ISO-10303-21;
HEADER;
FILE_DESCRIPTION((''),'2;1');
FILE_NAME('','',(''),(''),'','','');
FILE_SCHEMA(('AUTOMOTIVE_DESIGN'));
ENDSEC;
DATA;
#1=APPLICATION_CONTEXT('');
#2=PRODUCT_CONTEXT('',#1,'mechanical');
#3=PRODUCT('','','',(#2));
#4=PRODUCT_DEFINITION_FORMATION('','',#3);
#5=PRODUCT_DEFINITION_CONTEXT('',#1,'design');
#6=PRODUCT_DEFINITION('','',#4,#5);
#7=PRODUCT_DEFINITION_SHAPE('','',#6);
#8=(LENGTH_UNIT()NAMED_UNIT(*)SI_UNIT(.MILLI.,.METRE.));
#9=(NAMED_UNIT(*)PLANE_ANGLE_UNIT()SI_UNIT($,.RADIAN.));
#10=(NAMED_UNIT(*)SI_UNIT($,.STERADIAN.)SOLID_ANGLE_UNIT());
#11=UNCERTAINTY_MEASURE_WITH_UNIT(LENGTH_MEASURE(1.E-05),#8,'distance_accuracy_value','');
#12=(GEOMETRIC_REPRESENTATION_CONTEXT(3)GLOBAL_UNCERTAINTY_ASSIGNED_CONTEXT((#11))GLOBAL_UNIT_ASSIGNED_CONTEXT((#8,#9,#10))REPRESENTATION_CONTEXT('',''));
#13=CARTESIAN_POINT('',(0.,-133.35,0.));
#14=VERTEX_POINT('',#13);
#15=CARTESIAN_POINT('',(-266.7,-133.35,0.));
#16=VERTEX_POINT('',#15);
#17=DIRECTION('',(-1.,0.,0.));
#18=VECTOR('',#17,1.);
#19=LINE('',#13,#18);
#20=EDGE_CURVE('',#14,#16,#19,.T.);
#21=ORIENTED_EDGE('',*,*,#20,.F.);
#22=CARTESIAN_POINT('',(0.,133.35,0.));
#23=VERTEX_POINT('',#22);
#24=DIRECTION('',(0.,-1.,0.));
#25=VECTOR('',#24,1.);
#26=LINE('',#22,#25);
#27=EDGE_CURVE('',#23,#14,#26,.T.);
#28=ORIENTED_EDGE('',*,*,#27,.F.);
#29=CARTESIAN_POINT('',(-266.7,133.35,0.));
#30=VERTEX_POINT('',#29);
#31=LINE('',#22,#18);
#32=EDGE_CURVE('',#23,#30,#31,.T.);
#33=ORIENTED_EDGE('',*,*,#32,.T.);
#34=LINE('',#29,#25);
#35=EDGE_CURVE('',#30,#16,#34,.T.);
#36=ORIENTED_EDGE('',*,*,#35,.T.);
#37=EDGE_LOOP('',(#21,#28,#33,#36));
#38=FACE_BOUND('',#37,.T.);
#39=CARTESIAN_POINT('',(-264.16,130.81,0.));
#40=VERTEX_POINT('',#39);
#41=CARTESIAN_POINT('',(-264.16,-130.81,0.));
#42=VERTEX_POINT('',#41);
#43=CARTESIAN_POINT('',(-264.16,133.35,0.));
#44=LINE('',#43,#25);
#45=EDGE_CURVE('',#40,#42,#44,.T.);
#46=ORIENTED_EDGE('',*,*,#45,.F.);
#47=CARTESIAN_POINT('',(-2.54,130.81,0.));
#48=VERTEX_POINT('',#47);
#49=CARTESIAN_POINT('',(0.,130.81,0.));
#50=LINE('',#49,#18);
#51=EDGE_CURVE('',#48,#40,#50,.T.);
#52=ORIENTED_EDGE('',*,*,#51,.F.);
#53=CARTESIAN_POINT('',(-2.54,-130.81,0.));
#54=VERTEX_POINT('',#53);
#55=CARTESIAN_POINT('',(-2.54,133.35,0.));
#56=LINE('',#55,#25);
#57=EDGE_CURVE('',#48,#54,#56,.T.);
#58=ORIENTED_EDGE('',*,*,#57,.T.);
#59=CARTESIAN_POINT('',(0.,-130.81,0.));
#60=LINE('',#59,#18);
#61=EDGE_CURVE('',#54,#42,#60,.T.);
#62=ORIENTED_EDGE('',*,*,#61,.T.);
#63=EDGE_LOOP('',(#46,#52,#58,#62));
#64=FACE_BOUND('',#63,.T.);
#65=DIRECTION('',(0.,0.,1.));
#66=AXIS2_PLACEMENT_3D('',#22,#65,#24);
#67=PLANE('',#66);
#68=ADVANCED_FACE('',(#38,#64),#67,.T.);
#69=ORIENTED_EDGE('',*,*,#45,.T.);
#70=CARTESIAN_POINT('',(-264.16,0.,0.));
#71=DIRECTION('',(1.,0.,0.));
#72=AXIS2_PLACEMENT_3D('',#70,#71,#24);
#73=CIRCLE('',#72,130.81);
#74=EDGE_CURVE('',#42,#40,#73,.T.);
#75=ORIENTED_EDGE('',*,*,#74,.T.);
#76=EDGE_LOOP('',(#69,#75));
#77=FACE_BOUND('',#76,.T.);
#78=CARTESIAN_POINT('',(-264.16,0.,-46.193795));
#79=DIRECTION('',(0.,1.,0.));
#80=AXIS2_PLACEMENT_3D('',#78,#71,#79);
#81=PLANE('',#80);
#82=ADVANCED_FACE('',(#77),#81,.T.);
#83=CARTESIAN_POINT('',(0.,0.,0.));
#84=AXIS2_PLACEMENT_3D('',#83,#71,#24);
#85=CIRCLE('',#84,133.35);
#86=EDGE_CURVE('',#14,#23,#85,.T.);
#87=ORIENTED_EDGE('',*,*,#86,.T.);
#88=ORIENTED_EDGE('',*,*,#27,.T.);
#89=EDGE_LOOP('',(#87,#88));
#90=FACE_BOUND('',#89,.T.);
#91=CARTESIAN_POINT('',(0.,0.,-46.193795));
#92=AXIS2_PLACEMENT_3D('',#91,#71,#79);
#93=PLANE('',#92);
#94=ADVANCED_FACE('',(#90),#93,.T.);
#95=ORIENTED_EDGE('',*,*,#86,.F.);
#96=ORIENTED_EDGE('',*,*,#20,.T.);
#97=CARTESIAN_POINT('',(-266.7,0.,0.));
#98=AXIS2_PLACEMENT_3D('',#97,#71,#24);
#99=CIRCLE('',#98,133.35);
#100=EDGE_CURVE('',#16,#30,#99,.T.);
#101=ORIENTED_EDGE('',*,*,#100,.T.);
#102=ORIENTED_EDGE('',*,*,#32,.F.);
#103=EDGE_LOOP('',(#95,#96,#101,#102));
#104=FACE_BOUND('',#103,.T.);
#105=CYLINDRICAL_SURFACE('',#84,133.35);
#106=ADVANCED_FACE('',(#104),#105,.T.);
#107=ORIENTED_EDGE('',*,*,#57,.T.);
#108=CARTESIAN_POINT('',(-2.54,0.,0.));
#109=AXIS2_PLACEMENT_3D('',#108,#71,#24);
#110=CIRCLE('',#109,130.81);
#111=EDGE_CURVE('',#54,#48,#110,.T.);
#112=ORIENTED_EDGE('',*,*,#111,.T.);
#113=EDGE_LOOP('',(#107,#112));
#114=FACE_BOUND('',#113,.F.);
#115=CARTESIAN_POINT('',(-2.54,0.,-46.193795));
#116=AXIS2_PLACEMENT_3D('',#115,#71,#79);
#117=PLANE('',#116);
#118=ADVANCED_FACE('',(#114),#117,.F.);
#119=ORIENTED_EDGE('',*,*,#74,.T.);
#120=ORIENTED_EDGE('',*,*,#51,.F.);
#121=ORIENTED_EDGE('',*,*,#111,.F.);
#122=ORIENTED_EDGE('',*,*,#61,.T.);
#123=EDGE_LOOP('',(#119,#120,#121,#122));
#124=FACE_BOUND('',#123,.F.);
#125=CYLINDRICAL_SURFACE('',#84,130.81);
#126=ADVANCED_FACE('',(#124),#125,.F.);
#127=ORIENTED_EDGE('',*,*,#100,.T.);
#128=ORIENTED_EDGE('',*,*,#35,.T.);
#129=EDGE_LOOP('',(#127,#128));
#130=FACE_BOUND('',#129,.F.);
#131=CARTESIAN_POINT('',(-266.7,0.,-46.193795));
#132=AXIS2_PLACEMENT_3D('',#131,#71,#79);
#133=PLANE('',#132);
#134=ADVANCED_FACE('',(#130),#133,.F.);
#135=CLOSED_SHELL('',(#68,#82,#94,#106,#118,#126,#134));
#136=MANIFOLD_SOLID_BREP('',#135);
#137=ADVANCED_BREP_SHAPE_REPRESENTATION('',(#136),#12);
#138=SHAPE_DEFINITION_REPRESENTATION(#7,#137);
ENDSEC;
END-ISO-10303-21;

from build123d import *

# Parameters (mm, degrees)
F1_DEPTH = 266.7
F2_T     = -2.54


with BuildPart() as f1:
    # F0 (on Right) → F1 (new body)
    with BuildSketch(Plane.YZ):
        with BuildLine():
            Line((133.35, 0), (-133.35, 0))
            ThreePointArc((-133.35, 0), (0, -133.35), (133.35, 0))
        make_face()
    extrude(amount=-F1_DEPTH)

    # F2
    f2_openings = [f1.faces().sort_by_distance(p)[0] for p in [
        (-133.35, 0, 0),
    ]]
    offset(amount=F2_T, openings=f2_openings)


solid = f1.part
